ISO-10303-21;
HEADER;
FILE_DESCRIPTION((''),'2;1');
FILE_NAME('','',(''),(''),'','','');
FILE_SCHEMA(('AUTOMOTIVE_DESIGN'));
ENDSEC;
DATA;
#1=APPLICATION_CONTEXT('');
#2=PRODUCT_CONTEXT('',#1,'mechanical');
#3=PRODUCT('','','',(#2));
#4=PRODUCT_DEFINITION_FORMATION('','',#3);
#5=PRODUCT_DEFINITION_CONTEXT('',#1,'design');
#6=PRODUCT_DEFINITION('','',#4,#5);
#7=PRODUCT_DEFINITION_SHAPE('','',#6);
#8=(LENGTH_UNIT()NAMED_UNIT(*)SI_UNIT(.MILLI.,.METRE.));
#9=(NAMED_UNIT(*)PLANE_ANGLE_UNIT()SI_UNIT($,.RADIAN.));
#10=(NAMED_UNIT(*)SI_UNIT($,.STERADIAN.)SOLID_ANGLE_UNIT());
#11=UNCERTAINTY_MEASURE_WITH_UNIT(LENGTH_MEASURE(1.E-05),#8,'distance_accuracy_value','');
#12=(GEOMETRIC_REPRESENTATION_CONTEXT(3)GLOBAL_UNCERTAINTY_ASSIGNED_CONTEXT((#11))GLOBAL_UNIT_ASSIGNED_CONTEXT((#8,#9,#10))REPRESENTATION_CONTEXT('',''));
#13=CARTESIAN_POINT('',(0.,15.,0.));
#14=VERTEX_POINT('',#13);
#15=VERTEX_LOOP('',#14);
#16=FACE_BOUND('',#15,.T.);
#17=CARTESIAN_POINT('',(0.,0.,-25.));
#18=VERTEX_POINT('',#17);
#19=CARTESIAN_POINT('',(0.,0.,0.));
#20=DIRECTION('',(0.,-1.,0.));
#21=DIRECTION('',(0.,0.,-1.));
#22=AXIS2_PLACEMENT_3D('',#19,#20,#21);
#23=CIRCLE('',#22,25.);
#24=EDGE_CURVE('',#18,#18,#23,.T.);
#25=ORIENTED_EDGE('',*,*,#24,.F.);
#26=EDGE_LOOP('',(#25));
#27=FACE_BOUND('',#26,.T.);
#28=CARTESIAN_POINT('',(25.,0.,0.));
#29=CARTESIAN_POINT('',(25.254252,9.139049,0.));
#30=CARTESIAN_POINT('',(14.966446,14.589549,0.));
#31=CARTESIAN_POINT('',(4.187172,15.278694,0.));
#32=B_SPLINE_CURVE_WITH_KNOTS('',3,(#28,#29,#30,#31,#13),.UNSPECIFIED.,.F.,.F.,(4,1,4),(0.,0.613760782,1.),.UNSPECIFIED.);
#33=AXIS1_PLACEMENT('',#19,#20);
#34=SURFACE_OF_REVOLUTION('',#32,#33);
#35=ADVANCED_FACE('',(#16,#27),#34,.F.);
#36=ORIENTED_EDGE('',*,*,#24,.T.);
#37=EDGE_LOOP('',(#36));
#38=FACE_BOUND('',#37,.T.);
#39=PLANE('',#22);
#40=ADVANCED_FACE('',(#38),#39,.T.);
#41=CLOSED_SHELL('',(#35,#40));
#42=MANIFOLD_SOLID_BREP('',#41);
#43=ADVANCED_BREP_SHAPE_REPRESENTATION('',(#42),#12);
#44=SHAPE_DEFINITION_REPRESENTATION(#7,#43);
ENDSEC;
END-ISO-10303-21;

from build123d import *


with BuildPart() as part:
    # Sketch2 → Revolve1 (revolve)
    with BuildSketch(Plane.XY):
        with BuildLine():
            Line((0, 0), (0, 15))
            add(Edge.make_bspline(
                [(0, 15), (4.187171854, 15.278694267), (14.966445749, 14.589548555), (25.25425243, 9.13904922), (25, 0)],
                knots=[0, 0, 0, 0, 0.386239218, 1, 1, 1, 1], degree=3))
            Line((25, 0), (0, 0))
        make_face()
    revolve(axis=Axis((0, 0, 0), (0, 1, 0)))


solid = part.part
